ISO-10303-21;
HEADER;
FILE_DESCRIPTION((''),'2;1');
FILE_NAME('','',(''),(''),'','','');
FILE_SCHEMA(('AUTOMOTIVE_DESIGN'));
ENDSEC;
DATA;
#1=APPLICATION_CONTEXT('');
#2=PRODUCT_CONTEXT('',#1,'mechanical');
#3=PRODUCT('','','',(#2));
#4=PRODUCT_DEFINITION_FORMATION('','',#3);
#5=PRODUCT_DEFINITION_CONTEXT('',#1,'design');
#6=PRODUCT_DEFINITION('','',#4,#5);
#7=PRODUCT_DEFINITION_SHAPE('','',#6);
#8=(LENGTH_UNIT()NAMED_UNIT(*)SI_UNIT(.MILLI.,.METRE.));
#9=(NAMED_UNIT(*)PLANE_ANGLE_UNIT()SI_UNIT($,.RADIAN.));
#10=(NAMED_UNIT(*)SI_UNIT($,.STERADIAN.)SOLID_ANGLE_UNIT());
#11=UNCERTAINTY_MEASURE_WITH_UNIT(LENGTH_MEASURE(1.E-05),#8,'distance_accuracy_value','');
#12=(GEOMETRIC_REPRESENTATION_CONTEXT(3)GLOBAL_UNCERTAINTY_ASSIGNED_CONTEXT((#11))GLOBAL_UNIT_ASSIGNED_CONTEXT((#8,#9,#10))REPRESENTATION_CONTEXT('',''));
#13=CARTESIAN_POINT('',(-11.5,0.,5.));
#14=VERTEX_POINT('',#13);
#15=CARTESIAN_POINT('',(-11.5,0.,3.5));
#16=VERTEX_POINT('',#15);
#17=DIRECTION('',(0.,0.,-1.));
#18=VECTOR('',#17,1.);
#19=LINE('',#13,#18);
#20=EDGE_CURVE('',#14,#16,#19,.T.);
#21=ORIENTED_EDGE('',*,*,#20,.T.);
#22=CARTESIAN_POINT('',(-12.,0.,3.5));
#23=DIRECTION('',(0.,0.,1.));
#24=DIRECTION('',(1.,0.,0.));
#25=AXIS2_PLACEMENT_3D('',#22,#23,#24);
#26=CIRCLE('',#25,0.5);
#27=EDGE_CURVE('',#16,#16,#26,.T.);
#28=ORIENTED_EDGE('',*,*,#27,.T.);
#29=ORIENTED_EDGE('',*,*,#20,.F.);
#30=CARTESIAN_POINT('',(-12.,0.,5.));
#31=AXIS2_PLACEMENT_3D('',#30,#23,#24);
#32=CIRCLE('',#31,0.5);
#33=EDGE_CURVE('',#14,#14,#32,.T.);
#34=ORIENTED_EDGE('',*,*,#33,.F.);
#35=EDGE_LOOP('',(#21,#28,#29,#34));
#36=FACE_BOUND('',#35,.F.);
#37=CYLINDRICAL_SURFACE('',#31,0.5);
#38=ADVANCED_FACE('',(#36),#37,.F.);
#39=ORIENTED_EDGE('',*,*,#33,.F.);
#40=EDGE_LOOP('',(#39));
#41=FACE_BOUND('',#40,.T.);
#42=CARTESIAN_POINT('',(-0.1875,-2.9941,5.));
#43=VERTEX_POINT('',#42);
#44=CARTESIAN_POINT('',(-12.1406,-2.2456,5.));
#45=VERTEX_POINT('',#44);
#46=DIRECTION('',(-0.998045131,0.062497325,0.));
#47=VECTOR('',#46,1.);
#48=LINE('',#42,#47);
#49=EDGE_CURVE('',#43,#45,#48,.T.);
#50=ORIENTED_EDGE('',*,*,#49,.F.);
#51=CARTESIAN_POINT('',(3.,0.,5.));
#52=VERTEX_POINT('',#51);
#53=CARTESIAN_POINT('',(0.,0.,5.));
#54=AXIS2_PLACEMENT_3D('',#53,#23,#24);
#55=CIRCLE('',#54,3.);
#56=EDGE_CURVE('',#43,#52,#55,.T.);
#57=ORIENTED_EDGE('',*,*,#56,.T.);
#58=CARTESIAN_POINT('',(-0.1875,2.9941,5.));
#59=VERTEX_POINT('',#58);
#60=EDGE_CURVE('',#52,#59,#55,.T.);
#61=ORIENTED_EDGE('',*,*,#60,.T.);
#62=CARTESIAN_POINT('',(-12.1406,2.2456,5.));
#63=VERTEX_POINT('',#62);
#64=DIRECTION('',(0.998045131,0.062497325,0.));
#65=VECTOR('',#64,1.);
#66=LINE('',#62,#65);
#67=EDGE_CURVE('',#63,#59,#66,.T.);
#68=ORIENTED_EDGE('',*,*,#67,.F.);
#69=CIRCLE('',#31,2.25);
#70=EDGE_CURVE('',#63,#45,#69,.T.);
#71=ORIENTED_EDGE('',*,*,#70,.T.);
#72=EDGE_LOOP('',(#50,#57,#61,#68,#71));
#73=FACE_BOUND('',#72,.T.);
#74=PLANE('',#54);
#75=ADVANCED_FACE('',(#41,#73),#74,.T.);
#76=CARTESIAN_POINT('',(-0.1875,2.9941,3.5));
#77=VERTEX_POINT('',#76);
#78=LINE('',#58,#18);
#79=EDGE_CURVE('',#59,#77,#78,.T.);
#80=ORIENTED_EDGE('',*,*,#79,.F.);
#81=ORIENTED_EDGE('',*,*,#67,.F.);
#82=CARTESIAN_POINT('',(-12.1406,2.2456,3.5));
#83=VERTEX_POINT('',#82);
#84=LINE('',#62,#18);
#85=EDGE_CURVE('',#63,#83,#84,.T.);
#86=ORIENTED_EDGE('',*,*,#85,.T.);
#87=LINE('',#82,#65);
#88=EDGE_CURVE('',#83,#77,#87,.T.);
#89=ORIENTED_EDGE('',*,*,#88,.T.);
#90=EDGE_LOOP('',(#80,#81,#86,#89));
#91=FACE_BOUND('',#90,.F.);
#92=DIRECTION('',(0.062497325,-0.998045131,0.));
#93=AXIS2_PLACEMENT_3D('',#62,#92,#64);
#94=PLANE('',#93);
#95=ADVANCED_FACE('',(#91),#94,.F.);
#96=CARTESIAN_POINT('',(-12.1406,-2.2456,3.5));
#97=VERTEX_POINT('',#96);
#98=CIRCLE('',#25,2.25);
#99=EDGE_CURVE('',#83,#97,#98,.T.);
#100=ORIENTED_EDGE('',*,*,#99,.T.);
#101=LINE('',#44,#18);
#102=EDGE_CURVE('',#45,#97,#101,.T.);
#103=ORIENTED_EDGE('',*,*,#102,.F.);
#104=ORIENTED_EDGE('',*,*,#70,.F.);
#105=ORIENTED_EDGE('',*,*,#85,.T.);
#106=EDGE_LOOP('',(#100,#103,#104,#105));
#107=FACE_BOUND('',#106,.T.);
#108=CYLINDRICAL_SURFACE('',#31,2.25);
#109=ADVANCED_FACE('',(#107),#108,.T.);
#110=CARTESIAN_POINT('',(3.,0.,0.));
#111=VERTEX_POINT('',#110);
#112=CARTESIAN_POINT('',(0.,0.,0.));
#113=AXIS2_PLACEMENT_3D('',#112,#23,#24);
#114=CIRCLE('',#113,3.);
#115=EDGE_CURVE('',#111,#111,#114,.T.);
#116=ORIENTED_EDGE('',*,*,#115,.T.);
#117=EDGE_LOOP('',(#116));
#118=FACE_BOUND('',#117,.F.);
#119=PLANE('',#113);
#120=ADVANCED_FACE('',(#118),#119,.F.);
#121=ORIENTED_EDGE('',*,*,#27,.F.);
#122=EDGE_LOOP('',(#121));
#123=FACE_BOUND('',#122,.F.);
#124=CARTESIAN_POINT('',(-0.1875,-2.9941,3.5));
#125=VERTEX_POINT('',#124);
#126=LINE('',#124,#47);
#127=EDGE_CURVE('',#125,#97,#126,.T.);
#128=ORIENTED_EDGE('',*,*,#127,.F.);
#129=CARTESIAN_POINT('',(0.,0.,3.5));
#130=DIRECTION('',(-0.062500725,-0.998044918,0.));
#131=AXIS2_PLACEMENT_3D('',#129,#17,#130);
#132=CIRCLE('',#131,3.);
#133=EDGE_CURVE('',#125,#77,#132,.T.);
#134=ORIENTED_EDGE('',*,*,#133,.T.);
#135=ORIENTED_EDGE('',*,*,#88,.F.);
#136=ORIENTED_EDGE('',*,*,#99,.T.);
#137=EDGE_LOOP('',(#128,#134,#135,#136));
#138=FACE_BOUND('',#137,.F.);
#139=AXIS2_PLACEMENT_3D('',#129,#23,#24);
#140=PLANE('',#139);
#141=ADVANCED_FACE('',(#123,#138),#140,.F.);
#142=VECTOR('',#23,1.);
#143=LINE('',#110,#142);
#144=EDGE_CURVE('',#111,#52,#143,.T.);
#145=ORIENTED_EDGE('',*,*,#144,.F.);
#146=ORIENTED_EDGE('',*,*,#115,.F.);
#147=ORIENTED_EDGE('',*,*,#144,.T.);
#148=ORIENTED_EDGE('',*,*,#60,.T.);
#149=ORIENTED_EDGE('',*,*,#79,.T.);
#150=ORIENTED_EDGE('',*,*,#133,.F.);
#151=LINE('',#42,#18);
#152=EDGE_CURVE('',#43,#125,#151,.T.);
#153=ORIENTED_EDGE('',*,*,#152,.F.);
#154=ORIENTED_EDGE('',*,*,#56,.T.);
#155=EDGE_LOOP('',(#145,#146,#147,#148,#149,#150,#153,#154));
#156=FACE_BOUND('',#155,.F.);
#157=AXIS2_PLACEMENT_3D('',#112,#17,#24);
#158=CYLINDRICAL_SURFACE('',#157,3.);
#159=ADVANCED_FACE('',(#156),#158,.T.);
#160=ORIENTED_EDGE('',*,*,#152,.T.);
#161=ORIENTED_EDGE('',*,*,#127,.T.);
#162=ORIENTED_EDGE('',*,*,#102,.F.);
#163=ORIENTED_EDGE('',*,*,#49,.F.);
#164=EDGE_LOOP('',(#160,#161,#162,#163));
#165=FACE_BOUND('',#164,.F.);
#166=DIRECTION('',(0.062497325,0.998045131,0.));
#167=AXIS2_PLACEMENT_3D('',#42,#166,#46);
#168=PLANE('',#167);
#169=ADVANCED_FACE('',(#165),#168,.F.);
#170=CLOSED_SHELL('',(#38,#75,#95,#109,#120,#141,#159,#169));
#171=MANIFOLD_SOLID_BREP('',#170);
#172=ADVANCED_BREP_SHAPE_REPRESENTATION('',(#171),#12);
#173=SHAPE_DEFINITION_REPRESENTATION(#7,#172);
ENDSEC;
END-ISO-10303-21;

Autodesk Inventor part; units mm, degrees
ref_plane "YZ Plane" through (0, 0, 0) normal (1, 0, 0) x (0, 1, 0)
ref_plane "XZ Plane" through (0, 0, 0) normal (0, 1, 0) x (-1, 0, 0)
ref_plane "XY Plane" through (0, 0, 0) normal (0, 0, 1) x (1, 0, 0)
sketch "Sketch1" plane through (0, 0, 0) normal (0, 0, 1) x (1, 0, 0)
  circle A0 centre (0, 0) radius 3
  dimension "d0" = 6
extrude "Extrusion1" add sketch "Sketch1" along normal blind 5
sketch "Sketch2" plane through (0, 0, 5) normal (0, 0, 1) x (1, 0, 0)
  circle A0 centre (0, 0) radius 3 projected
  line L0 (0, 0) -> (-12, 0)
  circle A1 centre (-12, 0) radius 0.5
  circle A2 centre (-12, 0) radius 2.25
  line L1 (-0.1875, -2.9941) -> (-12.1406, -2.2456)
  line L2 (-12.1406, 2.2456) -> (-0.1875, 2.9941)
  circle A3 centre (0, 0) radius 3 projected
  dimension "d3" = 12
  dimension "d4" = 1
  dimension "d5" = 4.5
extrude "Extrusion2" add sketch "Sketch2" against normal blind 1.5 contours A0 L0 A2 L2 | L1 A2 L0 A0 | A2
properties part number "ServoArm"
